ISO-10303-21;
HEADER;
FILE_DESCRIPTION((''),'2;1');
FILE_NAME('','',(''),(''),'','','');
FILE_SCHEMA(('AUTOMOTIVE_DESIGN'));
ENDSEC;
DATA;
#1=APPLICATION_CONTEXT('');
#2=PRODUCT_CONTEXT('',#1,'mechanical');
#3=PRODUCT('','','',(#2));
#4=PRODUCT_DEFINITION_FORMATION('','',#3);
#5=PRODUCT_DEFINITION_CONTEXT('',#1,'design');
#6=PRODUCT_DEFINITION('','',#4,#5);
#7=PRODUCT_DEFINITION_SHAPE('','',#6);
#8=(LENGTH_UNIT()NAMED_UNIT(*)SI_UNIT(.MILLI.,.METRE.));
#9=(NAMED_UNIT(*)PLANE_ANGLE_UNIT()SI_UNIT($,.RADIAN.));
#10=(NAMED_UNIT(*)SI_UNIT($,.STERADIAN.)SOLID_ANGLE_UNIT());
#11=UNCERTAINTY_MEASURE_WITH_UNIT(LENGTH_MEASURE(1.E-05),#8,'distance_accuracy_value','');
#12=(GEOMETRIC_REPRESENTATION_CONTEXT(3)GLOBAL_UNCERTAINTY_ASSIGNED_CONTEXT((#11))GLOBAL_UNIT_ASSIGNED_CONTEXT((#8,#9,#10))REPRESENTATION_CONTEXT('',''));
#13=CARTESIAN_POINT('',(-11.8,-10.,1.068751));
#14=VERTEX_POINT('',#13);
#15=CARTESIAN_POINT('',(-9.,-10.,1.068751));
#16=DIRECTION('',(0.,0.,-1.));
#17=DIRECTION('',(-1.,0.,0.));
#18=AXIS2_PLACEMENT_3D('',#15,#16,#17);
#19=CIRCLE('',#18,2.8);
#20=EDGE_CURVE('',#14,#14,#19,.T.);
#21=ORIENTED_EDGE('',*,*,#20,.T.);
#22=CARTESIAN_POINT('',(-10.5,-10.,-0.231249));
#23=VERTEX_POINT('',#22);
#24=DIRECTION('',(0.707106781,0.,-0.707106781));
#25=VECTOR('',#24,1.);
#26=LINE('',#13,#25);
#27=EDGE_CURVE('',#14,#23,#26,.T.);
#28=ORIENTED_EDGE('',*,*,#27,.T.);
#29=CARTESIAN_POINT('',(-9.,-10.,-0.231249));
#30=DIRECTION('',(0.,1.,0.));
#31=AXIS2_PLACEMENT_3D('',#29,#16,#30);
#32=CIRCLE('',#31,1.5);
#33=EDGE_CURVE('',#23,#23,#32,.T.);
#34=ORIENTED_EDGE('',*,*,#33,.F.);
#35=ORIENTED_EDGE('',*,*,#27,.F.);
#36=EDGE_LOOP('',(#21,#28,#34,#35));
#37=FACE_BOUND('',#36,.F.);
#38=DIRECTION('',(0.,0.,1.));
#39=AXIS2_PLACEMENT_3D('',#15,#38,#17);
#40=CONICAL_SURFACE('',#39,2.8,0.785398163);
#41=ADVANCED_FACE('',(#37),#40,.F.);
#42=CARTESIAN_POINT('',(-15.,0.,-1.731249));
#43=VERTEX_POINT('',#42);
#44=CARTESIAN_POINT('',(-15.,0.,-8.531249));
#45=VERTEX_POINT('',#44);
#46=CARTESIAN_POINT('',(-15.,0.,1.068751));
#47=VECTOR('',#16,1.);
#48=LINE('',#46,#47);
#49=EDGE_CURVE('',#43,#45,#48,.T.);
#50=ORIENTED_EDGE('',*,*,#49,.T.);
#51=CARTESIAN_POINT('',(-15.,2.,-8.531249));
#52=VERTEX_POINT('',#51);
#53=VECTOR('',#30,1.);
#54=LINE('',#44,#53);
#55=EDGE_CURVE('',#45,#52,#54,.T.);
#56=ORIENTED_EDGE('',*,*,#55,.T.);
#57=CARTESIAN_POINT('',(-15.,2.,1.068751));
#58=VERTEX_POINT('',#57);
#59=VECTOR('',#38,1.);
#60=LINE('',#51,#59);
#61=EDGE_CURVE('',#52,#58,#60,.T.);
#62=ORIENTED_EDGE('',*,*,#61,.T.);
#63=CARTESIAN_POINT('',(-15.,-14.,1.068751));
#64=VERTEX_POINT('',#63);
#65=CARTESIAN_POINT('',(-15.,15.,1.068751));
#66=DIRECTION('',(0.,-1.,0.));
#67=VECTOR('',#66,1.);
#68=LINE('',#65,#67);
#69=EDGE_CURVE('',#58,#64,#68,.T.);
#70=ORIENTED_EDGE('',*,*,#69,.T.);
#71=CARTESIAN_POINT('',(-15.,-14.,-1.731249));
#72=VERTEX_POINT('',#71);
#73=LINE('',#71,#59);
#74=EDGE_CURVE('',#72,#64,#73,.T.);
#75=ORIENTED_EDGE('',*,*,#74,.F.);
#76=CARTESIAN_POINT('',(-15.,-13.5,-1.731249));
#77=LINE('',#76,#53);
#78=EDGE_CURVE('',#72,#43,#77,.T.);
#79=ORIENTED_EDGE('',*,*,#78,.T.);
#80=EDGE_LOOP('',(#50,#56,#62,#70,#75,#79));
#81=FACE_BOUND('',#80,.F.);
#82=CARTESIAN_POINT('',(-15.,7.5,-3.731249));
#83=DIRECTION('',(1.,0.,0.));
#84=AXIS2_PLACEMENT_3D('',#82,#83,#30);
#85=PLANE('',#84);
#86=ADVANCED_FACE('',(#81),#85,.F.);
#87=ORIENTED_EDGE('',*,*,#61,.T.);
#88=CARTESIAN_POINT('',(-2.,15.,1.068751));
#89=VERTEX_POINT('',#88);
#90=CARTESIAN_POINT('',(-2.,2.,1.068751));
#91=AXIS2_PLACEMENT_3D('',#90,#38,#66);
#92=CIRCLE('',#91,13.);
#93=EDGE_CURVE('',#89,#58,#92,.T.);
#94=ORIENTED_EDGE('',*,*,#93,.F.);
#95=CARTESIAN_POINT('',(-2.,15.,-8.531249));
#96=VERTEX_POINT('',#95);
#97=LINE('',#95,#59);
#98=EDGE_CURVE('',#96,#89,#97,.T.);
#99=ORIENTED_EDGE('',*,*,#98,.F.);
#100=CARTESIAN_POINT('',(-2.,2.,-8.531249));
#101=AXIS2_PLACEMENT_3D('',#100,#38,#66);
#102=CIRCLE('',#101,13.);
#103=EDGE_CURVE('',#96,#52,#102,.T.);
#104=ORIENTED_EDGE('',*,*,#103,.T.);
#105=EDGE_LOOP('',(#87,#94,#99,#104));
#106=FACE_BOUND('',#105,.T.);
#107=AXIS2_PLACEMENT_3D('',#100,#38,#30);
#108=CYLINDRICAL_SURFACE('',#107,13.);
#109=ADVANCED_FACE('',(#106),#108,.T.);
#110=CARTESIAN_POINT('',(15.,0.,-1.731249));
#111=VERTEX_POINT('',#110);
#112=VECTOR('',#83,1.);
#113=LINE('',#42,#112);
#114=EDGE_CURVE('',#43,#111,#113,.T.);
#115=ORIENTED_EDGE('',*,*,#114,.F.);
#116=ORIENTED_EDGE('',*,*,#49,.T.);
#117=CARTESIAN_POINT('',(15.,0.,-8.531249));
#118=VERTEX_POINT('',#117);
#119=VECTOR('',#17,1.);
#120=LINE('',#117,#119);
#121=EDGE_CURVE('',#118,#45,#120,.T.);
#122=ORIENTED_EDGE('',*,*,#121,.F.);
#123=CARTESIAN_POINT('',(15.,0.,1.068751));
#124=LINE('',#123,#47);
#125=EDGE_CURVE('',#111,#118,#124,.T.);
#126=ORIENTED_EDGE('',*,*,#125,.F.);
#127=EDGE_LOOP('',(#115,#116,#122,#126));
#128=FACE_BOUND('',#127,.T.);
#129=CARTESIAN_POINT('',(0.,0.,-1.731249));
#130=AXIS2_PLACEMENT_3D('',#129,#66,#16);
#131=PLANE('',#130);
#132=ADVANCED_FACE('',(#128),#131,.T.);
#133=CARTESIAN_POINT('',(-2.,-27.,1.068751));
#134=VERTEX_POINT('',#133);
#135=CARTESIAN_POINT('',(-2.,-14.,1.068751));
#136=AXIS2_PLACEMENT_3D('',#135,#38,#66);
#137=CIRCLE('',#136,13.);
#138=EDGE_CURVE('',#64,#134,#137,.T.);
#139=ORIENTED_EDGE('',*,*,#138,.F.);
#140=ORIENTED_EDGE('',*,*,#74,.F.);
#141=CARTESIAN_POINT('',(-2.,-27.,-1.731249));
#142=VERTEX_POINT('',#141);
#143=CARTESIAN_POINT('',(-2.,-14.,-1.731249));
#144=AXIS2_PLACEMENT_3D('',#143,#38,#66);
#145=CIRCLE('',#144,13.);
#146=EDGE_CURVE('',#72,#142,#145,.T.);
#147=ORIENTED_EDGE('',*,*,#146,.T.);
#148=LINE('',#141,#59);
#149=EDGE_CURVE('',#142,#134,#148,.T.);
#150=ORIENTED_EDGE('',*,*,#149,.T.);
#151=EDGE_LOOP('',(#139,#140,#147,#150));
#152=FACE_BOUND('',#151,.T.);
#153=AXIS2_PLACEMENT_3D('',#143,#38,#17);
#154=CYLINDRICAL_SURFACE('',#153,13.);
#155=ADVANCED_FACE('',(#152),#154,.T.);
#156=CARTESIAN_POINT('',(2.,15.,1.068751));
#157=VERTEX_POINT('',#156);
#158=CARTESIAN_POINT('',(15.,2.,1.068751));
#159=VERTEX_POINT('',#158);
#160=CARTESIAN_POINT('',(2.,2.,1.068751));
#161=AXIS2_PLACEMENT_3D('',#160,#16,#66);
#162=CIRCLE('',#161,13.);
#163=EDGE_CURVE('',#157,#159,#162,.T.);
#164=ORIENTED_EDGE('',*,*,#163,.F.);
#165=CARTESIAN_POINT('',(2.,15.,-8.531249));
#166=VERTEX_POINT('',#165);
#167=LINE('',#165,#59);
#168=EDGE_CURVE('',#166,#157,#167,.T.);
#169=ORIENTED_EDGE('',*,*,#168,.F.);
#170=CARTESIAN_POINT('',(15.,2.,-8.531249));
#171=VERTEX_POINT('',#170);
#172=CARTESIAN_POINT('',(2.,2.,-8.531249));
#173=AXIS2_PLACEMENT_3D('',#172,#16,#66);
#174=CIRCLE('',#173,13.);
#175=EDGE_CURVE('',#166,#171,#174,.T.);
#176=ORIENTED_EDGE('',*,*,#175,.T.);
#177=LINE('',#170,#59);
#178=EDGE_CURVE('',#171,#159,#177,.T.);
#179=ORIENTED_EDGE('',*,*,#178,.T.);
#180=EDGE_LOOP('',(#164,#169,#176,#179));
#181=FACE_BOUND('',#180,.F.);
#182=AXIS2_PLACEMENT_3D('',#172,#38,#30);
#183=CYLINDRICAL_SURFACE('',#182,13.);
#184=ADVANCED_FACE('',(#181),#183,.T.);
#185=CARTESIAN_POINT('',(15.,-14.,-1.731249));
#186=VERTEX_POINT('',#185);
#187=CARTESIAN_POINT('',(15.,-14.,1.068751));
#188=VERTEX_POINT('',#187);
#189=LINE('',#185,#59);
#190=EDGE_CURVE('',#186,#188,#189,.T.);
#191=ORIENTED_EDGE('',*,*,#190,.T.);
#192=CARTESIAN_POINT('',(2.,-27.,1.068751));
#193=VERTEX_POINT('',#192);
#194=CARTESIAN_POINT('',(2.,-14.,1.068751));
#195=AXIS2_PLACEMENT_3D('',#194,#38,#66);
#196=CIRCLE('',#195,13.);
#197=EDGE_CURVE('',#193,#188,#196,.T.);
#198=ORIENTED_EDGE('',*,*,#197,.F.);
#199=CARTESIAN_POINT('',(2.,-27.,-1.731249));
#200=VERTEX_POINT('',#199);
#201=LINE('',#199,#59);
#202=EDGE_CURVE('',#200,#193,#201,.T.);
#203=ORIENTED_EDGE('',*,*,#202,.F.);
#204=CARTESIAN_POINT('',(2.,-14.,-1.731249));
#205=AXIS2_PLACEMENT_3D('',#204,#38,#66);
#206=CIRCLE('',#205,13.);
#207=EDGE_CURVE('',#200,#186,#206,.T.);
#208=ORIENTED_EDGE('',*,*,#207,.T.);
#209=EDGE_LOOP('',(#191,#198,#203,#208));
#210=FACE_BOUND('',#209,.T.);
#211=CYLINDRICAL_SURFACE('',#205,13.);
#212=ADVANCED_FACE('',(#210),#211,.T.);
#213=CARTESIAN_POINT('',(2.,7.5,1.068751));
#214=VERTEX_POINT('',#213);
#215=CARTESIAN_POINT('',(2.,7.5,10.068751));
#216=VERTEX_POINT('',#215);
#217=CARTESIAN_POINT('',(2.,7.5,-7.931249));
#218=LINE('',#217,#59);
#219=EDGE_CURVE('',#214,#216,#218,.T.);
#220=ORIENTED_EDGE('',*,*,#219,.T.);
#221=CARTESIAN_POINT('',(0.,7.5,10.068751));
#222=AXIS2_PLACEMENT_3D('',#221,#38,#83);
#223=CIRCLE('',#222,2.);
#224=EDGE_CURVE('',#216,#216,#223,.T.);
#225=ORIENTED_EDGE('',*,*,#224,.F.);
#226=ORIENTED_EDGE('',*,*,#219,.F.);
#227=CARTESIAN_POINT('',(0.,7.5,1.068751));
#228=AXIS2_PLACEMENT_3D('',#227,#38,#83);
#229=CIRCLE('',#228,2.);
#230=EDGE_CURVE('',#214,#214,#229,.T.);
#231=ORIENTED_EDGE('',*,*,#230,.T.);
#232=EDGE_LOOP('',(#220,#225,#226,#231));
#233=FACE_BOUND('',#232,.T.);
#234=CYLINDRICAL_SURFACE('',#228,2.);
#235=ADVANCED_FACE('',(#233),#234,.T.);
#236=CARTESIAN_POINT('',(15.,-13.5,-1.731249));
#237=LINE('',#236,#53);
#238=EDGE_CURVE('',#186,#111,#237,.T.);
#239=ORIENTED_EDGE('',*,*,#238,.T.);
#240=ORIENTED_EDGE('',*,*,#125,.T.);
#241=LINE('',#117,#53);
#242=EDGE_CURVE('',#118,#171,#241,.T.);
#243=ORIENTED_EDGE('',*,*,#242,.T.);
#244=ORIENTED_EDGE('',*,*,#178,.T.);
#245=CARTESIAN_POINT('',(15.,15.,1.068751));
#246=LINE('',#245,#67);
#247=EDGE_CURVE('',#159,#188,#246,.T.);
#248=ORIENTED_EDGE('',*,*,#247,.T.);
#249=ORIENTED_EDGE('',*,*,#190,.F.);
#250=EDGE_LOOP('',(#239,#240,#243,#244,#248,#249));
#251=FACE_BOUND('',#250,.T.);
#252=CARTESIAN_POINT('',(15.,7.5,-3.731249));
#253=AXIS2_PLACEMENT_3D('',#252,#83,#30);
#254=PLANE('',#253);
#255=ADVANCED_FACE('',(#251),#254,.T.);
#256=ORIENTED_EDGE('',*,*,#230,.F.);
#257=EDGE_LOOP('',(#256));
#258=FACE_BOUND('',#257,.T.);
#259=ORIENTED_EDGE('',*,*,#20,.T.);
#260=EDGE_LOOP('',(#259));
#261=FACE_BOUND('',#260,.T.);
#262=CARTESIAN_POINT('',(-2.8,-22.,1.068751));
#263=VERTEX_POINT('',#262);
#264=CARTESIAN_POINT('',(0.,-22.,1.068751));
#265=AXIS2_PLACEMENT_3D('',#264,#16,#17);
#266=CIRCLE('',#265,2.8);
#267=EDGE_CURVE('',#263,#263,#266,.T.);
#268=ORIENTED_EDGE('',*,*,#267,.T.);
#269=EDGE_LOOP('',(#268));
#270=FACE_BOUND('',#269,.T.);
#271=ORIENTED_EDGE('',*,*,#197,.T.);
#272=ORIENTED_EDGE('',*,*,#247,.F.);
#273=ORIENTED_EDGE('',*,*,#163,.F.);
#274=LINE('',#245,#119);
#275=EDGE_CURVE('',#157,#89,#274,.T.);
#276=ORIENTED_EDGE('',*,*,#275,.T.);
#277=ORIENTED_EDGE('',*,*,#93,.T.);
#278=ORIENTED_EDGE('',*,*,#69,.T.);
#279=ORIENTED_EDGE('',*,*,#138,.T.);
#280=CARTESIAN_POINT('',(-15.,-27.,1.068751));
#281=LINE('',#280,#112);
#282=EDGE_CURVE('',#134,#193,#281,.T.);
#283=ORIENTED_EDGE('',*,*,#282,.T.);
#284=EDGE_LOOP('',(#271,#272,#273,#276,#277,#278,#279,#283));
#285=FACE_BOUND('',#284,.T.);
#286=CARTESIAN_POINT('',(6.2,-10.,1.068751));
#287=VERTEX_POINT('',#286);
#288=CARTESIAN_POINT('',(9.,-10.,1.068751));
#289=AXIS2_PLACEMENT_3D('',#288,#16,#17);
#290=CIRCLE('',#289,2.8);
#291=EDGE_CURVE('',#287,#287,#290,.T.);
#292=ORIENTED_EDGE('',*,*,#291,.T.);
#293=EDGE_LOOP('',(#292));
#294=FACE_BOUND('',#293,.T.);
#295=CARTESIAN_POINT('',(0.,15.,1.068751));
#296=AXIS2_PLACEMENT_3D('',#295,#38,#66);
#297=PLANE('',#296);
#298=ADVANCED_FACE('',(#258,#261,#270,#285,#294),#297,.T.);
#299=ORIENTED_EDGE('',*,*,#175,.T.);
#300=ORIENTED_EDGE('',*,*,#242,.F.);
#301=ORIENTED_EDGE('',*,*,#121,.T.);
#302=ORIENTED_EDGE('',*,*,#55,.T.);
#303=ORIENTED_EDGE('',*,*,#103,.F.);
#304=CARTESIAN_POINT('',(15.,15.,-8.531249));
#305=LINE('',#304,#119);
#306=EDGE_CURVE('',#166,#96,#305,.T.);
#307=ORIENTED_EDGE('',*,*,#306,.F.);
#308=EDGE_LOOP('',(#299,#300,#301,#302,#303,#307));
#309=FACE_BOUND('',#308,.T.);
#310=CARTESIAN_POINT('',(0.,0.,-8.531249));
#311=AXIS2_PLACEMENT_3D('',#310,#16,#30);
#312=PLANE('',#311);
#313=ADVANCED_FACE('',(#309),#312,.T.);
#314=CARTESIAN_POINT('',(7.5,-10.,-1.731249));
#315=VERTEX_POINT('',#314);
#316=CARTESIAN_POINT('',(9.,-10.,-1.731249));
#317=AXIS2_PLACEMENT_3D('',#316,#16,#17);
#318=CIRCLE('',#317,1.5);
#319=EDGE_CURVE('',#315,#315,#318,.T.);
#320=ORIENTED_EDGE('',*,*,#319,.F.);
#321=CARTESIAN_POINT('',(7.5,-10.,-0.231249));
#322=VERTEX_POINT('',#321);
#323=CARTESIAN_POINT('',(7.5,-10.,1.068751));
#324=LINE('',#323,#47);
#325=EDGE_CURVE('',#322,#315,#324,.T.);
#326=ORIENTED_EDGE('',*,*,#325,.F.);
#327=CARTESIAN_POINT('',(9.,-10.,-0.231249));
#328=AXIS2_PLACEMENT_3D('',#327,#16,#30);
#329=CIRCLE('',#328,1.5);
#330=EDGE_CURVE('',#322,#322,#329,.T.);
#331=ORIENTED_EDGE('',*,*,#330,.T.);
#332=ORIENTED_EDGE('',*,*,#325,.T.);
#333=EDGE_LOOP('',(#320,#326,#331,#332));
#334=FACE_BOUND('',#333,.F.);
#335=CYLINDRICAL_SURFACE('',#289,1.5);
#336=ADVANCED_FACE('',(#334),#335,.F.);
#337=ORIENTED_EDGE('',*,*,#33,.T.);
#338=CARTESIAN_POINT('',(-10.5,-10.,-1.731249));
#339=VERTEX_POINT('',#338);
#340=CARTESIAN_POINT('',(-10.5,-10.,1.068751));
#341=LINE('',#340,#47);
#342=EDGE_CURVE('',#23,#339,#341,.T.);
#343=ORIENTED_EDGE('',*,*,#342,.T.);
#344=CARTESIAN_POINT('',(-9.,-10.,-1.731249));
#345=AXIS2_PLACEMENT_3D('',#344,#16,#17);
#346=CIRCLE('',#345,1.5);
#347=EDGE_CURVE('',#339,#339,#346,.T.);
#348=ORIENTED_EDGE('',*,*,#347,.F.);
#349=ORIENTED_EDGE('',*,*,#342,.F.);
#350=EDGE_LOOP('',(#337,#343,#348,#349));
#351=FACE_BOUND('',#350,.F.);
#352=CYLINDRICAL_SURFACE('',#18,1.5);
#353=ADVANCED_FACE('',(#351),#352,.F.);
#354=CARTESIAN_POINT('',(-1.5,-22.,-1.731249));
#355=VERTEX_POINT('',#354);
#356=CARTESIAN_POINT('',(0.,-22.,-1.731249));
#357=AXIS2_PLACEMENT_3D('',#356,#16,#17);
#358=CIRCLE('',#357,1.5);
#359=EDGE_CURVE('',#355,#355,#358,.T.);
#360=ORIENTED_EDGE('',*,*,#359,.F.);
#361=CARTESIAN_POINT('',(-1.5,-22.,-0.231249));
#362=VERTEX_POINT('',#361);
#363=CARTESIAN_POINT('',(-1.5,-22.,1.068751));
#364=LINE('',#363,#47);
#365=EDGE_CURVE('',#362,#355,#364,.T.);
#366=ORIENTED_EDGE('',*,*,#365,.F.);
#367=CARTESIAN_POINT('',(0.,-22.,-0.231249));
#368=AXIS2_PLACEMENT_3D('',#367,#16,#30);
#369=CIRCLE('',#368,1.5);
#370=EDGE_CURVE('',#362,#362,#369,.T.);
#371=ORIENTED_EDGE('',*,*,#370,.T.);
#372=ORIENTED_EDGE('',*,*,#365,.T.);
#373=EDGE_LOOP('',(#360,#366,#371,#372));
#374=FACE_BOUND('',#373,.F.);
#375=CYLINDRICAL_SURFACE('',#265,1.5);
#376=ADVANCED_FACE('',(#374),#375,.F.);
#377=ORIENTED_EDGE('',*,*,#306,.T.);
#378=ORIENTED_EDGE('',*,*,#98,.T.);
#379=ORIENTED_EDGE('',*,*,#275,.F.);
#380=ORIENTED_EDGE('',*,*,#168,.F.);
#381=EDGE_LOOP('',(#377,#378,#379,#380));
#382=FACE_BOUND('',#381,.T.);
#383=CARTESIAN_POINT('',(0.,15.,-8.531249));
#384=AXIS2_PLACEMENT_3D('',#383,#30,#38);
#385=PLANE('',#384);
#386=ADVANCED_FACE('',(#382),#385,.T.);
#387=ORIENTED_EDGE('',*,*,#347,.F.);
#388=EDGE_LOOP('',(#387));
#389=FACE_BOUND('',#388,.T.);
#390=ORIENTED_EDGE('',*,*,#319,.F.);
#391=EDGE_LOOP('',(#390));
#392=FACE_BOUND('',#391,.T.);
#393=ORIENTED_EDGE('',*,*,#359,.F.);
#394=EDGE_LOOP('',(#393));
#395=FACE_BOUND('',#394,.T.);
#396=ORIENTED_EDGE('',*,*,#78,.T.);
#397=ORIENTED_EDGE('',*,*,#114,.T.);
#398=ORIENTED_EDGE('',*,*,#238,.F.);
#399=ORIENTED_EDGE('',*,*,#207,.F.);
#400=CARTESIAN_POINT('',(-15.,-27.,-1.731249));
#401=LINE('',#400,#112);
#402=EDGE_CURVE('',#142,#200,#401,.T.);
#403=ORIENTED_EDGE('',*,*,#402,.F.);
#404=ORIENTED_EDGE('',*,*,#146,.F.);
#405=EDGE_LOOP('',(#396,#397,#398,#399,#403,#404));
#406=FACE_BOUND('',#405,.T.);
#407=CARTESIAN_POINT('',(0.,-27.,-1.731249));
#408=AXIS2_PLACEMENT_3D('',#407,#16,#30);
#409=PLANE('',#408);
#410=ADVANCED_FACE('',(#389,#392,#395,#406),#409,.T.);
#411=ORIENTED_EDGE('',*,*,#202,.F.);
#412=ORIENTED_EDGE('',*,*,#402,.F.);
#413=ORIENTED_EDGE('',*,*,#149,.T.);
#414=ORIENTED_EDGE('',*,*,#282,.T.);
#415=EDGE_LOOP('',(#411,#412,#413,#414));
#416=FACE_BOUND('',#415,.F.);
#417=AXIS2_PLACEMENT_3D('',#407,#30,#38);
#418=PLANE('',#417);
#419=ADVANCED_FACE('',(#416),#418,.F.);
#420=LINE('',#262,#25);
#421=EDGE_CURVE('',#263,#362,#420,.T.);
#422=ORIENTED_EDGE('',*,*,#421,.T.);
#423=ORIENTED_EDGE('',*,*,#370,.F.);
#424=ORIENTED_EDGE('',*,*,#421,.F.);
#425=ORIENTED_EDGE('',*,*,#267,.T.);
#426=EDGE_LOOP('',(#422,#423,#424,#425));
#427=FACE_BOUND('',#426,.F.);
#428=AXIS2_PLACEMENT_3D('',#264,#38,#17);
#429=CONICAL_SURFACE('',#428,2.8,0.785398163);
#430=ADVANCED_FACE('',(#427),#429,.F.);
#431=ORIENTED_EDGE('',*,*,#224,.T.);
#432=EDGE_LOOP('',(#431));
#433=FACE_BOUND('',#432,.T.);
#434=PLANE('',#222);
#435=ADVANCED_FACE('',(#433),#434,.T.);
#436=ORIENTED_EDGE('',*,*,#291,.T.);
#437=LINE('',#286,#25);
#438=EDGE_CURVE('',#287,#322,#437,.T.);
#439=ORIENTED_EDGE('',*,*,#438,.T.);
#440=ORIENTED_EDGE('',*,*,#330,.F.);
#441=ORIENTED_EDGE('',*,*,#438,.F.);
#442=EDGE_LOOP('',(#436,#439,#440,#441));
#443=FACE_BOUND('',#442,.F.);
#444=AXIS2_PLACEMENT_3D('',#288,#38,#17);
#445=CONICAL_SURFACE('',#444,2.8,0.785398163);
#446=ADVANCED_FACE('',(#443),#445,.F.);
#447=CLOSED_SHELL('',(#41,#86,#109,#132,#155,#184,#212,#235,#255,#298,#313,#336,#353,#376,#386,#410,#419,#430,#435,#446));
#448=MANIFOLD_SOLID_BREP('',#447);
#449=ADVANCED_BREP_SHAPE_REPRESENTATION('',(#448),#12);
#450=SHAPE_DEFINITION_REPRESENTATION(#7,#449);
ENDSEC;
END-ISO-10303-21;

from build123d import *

# Parameters (mm, degrees)
F0_W           = 27
F0_H           = 2.8
F1_DEPTH       = 15
F2_R           = 13
F3_R           = 13
F5_D           = 3
F5_CSINK_D     = 5.6
F5_CSINK_ANGLE = 90
F6_D           = 3
F6_CSINK_D     = 5.6
F6_CSINK_ANGLE = 90
F7_D           = 3
F7_CSINK_D     = 5.6
F7_CSINK_ANGLE = 90
F8_R           = 2
F9_DEPTH       = 9


with BuildPart() as f1:
    # F0 (on Right) → F1 (new body, symmetric)
    with BuildSketch(Plane.YZ):
        Polygon((15, 1.068751), (0, 1.068751), (0, -1.731249), (0, -8.531249), (15, -8.531249), align=None)
        with Locations((-13.5, -0.331249)):
            Rectangle(F0_W, F0_H)
    extrude(amount=F1_DEPTH, both=True)

    # F2
    f2_edges = [f1.edges().sort_by_distance(p)[0] for p in [
        (15, 15, -3.731249),
        (-15, 15, -3.731249),
    ]]
    fillet(f2_edges, radius=F2_R)

    # F3
    f3_edges = [f1.edges().sort_by_distance(p)[0] for p in [
        (15, -27, -0.331249),
        (-15, -27, -0.331249),
    ]]
    fillet(f3_edges, radius=F3_R)

    # F5 (through all)
    with Locations(Plane.XY.offset(1.068751)):
        with Locations((-9, -10)):
            CounterSinkHole(F5_D / 2, F5_CSINK_D / 2, counter_sink_angle=F5_CSINK_ANGLE)

    # F6 (through all)
    with Locations(Plane.XY.offset(1.068751)):
        with Locations((9, -10)):
            CounterSinkHole(F6_D / 2, F6_CSINK_D / 2, counter_sink_angle=F6_CSINK_ANGLE)

    # F7 (through all)
    with Locations(Plane.XY.offset(1.068751)):
        with Locations((0, -22)):
            CounterSinkHole(F7_D / 2, F7_CSINK_D / 2, counter_sink_angle=F7_CSINK_ANGLE)

    # F8 (on face) → F9 (join, symmetric)
    with BuildSketch(Plane.XY.offset(1.068751)):
        with Locations((0, 7.5)):
            Circle(F8_R)
    extrude(amount=F9_DEPTH, both=True)


solid = f1.part
